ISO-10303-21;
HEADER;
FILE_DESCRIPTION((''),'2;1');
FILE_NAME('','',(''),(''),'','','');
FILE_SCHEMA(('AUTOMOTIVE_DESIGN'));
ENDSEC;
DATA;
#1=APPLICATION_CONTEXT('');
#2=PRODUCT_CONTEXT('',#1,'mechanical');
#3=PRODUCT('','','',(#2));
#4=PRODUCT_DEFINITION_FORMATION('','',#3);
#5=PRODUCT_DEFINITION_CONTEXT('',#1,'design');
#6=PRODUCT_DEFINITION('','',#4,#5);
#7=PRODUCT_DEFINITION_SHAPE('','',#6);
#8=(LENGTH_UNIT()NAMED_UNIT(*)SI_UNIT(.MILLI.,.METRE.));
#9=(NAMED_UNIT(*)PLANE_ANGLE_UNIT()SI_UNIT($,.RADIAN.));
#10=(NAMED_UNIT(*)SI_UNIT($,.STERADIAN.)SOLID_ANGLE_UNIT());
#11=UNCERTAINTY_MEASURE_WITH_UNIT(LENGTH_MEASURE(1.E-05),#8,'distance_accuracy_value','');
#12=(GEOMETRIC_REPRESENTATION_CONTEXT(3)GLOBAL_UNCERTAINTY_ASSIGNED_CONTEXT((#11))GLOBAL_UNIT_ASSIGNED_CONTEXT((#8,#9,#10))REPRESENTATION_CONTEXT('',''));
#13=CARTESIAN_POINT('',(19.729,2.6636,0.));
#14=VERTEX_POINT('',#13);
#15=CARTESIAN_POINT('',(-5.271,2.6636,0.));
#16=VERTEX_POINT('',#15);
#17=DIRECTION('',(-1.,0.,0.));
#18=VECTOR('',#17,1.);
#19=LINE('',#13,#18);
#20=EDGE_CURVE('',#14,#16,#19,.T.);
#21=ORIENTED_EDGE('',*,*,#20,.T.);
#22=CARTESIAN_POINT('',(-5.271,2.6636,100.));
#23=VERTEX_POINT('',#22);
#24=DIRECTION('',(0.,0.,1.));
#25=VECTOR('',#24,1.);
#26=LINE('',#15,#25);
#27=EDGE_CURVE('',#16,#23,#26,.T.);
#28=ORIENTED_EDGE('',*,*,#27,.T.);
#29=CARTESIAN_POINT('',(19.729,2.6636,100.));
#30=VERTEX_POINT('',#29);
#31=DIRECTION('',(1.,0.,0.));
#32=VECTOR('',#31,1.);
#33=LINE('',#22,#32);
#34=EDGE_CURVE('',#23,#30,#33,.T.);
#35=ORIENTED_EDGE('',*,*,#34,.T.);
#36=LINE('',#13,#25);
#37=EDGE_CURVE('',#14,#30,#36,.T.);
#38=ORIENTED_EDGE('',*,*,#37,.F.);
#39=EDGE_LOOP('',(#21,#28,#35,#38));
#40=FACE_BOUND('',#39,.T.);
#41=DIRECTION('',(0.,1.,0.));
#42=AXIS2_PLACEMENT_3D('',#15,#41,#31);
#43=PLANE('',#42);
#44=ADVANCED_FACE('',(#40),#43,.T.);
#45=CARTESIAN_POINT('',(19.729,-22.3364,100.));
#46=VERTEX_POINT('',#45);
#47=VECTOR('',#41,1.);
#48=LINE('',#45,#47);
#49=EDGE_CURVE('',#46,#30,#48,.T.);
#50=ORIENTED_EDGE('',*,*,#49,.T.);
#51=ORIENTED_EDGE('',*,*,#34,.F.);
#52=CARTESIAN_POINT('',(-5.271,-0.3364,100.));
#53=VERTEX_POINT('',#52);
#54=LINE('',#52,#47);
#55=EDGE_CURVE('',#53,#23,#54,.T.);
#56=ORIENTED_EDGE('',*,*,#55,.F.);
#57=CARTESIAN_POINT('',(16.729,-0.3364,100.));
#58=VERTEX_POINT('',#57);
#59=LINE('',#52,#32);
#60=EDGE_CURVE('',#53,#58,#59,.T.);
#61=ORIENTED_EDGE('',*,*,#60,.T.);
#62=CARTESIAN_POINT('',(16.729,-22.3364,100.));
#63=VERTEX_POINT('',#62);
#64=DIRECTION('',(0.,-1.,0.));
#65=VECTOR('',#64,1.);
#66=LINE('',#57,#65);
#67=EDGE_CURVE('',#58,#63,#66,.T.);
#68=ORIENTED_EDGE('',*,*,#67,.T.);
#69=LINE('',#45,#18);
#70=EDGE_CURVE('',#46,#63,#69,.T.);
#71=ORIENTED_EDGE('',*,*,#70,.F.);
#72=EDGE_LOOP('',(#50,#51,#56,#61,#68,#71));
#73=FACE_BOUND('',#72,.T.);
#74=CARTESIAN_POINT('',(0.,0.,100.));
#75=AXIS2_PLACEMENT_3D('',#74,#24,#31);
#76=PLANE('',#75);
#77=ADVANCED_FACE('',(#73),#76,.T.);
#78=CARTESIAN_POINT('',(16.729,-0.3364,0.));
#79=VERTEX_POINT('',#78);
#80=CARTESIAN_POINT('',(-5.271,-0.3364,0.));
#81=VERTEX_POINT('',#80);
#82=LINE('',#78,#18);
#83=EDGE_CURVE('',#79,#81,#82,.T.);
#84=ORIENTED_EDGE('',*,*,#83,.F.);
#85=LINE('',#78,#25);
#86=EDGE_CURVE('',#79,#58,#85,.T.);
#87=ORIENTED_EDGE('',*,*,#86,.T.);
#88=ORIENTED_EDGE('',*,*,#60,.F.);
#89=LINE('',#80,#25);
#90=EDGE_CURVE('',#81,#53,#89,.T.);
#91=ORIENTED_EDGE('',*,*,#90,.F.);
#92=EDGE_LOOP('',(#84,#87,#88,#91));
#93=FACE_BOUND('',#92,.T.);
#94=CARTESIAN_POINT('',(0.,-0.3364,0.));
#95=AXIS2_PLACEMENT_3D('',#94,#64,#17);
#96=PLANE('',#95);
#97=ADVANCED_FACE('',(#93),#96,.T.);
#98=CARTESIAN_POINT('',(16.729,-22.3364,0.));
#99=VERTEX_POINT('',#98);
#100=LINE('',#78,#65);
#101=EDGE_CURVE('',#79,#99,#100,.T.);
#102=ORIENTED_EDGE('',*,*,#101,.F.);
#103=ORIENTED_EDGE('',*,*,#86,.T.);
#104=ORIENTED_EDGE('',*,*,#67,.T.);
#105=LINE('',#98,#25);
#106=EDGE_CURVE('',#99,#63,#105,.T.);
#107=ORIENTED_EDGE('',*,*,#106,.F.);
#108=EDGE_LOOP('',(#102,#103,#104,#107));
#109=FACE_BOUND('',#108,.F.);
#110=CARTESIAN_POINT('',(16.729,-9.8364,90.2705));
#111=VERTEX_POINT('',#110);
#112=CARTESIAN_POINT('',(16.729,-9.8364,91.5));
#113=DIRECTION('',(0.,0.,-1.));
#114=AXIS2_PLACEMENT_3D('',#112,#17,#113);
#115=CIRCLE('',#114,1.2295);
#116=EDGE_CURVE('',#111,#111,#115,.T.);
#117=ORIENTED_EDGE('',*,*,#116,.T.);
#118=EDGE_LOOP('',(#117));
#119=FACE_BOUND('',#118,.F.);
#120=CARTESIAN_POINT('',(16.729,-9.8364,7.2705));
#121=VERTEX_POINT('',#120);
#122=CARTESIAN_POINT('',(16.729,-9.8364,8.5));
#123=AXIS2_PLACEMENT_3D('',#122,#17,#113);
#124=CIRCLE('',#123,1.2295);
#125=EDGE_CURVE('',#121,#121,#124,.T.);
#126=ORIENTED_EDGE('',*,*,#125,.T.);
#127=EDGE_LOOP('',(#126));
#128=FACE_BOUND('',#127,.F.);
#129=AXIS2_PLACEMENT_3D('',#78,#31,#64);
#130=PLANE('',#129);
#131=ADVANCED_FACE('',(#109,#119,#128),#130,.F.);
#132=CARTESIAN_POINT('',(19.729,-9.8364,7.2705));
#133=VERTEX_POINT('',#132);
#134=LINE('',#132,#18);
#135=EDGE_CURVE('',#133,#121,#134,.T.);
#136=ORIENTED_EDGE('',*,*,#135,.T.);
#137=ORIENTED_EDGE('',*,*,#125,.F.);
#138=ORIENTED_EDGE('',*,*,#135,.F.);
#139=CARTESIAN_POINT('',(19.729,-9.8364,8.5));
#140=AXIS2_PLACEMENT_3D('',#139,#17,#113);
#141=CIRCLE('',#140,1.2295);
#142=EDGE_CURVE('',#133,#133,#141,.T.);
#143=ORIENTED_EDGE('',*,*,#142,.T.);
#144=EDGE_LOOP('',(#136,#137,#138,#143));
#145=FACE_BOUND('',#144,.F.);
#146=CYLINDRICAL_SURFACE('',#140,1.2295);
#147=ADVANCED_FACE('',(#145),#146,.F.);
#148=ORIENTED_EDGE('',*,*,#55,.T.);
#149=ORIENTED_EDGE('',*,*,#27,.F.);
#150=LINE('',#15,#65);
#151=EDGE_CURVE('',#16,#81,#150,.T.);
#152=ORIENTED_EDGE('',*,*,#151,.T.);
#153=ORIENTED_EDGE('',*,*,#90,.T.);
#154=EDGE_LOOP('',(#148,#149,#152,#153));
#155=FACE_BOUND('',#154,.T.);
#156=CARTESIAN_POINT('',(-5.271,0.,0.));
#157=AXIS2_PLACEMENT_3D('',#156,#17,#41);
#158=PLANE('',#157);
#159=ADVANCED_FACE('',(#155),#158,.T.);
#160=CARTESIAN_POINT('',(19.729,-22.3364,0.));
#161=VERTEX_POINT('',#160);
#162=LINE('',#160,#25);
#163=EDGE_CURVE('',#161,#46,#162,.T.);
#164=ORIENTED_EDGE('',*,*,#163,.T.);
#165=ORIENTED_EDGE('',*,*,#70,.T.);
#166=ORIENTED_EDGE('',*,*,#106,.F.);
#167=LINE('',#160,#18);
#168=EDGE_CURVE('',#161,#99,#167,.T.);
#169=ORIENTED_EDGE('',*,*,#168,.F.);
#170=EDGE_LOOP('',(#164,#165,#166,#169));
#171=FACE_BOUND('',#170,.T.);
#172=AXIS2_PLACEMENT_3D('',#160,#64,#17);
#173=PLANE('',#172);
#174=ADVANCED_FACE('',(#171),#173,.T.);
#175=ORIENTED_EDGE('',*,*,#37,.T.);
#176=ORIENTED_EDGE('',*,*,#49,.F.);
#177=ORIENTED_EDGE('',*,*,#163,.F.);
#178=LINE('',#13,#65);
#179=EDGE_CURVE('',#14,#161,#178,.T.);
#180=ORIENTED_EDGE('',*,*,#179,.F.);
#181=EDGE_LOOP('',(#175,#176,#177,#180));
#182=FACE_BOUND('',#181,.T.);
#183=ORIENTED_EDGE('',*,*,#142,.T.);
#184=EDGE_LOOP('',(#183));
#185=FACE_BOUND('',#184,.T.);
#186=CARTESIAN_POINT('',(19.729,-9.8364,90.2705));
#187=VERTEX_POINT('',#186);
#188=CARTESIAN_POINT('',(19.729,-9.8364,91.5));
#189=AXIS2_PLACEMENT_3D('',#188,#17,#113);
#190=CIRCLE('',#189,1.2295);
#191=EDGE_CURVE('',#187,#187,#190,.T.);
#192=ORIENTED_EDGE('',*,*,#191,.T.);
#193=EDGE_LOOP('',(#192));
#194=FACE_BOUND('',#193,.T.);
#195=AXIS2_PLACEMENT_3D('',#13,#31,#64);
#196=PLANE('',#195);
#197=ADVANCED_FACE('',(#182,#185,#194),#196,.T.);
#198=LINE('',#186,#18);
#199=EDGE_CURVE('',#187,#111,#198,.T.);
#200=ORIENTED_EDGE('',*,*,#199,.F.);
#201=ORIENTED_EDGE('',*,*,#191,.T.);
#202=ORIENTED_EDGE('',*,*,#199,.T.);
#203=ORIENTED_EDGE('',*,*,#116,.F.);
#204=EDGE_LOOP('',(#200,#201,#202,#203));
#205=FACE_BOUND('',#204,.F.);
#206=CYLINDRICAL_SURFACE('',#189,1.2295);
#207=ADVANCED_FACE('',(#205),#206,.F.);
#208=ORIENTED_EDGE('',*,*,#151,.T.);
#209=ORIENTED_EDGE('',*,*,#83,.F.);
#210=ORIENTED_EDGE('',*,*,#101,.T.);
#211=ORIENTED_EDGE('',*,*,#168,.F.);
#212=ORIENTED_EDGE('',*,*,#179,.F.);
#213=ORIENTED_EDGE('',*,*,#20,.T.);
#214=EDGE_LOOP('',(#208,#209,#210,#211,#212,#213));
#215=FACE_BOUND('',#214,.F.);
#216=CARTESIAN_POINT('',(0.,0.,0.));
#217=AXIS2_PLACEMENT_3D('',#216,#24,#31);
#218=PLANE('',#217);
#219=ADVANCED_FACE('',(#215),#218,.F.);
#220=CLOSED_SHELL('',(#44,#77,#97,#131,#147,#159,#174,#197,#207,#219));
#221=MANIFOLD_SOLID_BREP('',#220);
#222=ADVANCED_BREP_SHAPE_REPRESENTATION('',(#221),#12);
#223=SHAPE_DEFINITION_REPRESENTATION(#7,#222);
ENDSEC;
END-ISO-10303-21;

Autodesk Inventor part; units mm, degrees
ref_plane "YZ Plane" through (0, 0, 0) normal (1, 0, 0) x (0, 1, 0)
ref_plane "XZ Plane" through (0, 0, 0) normal (0, 1, 0) x (-1, 0, 0)
ref_plane "XY Plane" through (0, 0, 0) normal (0, 0, 1) x (1, 0, 0)
sketch "Skizze1" plane through (0, 0, 0) normal (0, 0, 1) x (1, 0, 0)
  line L0 (-10.271, 0) -> (24.729, 0) projected
  line L1 (0, -27.3364) -> (0, 7.6636) projected
  line L2 (16.729, -0.3364) -> (-5.271, -0.3364)
  line L3 (-5.271, -0.3364) -> (-5.271, 2.6636)
  line L4 (-5.271, 2.6636) -> (19.729, 2.6636)
  line L5 (19.729, 2.6636) -> (19.729, -22.3364)
  line L6 (19.729, -22.3364) -> (16.729, -22.3364)
  line L7 (16.729, -0.3364) -> (16.729, -22.3364)
  point P0 (0, 0)
  dimension "d0" = 3
  dimension "d1" = 3
  dimension "d2" = 25
  dimension "d3" = 25
extrude "Extrusion1" add sketch "Skizze1" along normal blind 100
sketch "Skizze2" plane through (19.729, -22.3364, 0) normal (1, 0, 0) x (0, 0, -1)
  line L0 (0, 25) -> (-100, 25) projected
  line L1 (-100, 0) -> (-100, 25) projected
  line L2 (0, 0) -> (0, 25) projected
  point P0 (0, 22.3364)
  point P1 (-91.5, 12.5)
  point P2 (-8.5, 12.5)
  dimension "d6" = 12.5
  dimension "d7" = 12.5
  dimension "d8" = 8.5
  dimension "d9" = 8.5
hole "Bohrung1" at (19.729, -9.8364, 91.5) at (19.729, -9.8364, 8.5) direction (-1, 0, 0) diameter 2.459 depth 8.8 tip angle 118 thread size "M3x0.5" class "6H" standard "ISO Metric profile"
properties part number "Halter vorne"
